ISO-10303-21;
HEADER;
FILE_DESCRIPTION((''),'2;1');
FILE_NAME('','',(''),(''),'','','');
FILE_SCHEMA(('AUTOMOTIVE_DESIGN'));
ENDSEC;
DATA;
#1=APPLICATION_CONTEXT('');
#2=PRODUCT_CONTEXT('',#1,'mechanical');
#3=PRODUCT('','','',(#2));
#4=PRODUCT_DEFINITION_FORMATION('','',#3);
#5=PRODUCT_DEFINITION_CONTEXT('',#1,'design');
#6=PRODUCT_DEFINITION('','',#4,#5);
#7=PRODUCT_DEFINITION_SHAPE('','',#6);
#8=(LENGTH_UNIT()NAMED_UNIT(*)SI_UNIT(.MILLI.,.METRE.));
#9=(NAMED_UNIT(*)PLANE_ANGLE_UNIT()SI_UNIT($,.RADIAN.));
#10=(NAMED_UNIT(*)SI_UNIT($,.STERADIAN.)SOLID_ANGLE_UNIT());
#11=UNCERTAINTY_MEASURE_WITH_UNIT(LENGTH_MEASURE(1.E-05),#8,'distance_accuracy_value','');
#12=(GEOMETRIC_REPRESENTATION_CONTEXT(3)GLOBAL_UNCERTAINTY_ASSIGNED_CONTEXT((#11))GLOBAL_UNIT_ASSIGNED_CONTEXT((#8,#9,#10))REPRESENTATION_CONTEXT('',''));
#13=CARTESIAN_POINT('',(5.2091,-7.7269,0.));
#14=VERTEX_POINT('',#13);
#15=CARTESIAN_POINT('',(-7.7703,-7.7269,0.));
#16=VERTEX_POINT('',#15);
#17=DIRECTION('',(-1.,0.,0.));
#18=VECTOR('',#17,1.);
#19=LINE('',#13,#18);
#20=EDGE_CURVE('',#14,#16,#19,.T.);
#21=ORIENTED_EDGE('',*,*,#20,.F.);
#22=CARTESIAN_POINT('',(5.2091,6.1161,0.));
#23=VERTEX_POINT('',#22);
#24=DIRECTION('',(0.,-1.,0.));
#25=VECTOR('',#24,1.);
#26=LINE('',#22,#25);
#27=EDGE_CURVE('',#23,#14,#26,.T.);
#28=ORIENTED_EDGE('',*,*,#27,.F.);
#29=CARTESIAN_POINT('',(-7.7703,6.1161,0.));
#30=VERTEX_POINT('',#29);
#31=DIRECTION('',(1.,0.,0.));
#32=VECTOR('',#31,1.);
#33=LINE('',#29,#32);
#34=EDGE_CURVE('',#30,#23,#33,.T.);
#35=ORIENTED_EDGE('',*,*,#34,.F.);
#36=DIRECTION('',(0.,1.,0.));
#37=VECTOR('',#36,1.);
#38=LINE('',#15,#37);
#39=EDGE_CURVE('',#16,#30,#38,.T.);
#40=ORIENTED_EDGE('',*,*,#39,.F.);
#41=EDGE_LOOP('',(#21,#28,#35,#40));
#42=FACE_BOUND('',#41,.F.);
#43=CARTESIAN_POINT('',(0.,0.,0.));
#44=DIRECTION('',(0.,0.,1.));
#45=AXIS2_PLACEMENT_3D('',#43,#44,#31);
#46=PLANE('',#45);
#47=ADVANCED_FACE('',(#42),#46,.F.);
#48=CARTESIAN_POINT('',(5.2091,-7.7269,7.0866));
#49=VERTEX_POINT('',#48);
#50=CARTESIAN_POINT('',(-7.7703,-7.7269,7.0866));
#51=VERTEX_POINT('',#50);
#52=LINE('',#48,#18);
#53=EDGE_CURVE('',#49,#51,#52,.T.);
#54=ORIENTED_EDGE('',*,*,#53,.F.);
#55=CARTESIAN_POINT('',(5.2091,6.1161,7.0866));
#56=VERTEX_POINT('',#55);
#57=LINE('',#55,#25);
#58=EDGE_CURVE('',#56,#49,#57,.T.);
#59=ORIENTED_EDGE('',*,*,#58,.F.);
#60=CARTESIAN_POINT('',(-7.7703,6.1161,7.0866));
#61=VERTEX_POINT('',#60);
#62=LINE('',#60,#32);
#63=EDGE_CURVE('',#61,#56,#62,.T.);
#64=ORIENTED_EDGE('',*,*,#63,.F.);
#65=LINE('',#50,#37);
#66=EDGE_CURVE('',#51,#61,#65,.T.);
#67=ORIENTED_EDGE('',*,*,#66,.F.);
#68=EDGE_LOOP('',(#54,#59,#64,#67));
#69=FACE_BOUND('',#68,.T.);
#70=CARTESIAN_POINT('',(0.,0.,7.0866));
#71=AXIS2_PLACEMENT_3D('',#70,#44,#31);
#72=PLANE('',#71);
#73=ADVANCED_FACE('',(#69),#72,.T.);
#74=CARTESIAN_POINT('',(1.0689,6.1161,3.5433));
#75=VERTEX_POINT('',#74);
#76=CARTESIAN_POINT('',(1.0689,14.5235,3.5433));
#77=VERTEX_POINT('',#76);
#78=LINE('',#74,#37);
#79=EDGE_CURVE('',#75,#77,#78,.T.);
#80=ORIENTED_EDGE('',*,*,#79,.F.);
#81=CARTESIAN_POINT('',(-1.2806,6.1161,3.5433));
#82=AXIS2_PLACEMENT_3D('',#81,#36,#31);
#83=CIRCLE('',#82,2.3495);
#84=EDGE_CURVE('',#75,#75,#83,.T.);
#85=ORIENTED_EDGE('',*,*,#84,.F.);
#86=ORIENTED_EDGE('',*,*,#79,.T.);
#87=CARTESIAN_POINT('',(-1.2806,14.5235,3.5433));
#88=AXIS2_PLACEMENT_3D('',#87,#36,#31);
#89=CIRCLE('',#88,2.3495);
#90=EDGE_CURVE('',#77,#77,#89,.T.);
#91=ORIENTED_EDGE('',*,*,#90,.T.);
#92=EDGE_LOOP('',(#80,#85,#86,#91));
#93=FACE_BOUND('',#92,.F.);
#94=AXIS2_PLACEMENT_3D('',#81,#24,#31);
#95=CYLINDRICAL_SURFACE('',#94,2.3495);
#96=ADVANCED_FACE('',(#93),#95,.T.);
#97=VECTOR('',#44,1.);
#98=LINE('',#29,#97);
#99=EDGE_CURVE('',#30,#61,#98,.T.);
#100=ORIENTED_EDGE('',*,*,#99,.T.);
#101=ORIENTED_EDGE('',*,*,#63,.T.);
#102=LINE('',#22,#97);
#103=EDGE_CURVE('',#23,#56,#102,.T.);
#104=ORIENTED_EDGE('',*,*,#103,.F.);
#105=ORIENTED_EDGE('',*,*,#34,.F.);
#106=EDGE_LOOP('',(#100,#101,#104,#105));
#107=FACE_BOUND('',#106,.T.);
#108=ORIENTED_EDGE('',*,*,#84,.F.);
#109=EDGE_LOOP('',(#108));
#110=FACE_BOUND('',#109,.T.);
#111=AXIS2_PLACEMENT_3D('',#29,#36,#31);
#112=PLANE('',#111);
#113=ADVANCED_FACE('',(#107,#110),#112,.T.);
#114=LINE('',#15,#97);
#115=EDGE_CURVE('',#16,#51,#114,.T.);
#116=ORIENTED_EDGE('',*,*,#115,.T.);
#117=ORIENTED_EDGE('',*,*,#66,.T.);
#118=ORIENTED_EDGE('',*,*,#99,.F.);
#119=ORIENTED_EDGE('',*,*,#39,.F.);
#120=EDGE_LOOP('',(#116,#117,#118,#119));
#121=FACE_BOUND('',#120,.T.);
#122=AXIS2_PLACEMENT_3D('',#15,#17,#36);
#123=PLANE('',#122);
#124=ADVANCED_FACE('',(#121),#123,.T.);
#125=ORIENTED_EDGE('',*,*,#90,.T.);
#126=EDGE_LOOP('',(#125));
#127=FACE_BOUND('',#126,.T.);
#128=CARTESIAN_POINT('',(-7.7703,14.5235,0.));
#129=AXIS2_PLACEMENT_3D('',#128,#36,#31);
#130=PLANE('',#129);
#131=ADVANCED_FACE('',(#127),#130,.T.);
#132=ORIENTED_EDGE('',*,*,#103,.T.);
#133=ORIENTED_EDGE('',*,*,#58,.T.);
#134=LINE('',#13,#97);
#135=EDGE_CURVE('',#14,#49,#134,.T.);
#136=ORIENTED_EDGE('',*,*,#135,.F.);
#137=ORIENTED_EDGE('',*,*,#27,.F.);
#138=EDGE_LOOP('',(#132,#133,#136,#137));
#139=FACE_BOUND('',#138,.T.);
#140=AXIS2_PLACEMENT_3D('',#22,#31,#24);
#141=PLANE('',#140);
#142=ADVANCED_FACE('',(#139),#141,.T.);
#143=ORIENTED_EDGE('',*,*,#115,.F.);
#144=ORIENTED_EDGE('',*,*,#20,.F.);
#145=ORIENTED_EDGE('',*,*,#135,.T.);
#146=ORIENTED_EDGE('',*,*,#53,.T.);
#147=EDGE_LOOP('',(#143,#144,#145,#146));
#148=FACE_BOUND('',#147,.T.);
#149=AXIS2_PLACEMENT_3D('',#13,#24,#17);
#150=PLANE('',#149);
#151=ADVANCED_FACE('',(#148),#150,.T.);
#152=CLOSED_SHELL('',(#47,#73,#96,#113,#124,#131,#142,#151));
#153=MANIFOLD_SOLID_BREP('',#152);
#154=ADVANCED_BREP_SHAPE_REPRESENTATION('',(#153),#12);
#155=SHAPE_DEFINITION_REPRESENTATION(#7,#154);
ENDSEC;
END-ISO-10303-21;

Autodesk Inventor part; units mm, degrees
ref_plane "YZ Plane" through (0, 0, 0) normal (1, 0, 0) x (0, 1, 0)
ref_plane "XZ Plane" through (0, 0, 0) normal (0, 1, 0) x (-1, 0, 0)
ref_plane "XY Plane" through (0, 0, 0) normal (0, 0, 1) x (1, 0, 0)
sketch "Sketch1" plane through (0, 0, 0) normal (0, 0, 1) x (1, 0, 0)
  line L0 (-7.7703, 6.1161) -> (5.2091, 6.1161)
  line L1 (5.2091, 6.1161) -> (5.2091, -7.7269)
  line L2 (5.2091, -7.7269) -> (-7.7703, -7.7269)
  line L3 (-7.7703, -7.7269) -> (-7.7703, 6.1161)
  point P0 (0, 0)
  dimension "d0" = 12.9794
  dimension "d1" = 13.843
extrude "Extrusion1" add sketch "Sketch1" along normal blind 7.0866
sketch "Sketch2" plane through (-7.7703, 6.1161, 0) normal (0, 1, 0) x (1, 0, 0)
  line L0 (12.9794, 0) -> (12.9794, -7.0866)
  circle A0 centre (6.4897, -3.5433) radius 2.3495
  point P0 (7.7703, 0)
  dimension "d4" = 4.699
extrude "Extrusion2" add sketch "Sketch2" along normal blind 8.4074
properties part number "Hew Switch Box"
